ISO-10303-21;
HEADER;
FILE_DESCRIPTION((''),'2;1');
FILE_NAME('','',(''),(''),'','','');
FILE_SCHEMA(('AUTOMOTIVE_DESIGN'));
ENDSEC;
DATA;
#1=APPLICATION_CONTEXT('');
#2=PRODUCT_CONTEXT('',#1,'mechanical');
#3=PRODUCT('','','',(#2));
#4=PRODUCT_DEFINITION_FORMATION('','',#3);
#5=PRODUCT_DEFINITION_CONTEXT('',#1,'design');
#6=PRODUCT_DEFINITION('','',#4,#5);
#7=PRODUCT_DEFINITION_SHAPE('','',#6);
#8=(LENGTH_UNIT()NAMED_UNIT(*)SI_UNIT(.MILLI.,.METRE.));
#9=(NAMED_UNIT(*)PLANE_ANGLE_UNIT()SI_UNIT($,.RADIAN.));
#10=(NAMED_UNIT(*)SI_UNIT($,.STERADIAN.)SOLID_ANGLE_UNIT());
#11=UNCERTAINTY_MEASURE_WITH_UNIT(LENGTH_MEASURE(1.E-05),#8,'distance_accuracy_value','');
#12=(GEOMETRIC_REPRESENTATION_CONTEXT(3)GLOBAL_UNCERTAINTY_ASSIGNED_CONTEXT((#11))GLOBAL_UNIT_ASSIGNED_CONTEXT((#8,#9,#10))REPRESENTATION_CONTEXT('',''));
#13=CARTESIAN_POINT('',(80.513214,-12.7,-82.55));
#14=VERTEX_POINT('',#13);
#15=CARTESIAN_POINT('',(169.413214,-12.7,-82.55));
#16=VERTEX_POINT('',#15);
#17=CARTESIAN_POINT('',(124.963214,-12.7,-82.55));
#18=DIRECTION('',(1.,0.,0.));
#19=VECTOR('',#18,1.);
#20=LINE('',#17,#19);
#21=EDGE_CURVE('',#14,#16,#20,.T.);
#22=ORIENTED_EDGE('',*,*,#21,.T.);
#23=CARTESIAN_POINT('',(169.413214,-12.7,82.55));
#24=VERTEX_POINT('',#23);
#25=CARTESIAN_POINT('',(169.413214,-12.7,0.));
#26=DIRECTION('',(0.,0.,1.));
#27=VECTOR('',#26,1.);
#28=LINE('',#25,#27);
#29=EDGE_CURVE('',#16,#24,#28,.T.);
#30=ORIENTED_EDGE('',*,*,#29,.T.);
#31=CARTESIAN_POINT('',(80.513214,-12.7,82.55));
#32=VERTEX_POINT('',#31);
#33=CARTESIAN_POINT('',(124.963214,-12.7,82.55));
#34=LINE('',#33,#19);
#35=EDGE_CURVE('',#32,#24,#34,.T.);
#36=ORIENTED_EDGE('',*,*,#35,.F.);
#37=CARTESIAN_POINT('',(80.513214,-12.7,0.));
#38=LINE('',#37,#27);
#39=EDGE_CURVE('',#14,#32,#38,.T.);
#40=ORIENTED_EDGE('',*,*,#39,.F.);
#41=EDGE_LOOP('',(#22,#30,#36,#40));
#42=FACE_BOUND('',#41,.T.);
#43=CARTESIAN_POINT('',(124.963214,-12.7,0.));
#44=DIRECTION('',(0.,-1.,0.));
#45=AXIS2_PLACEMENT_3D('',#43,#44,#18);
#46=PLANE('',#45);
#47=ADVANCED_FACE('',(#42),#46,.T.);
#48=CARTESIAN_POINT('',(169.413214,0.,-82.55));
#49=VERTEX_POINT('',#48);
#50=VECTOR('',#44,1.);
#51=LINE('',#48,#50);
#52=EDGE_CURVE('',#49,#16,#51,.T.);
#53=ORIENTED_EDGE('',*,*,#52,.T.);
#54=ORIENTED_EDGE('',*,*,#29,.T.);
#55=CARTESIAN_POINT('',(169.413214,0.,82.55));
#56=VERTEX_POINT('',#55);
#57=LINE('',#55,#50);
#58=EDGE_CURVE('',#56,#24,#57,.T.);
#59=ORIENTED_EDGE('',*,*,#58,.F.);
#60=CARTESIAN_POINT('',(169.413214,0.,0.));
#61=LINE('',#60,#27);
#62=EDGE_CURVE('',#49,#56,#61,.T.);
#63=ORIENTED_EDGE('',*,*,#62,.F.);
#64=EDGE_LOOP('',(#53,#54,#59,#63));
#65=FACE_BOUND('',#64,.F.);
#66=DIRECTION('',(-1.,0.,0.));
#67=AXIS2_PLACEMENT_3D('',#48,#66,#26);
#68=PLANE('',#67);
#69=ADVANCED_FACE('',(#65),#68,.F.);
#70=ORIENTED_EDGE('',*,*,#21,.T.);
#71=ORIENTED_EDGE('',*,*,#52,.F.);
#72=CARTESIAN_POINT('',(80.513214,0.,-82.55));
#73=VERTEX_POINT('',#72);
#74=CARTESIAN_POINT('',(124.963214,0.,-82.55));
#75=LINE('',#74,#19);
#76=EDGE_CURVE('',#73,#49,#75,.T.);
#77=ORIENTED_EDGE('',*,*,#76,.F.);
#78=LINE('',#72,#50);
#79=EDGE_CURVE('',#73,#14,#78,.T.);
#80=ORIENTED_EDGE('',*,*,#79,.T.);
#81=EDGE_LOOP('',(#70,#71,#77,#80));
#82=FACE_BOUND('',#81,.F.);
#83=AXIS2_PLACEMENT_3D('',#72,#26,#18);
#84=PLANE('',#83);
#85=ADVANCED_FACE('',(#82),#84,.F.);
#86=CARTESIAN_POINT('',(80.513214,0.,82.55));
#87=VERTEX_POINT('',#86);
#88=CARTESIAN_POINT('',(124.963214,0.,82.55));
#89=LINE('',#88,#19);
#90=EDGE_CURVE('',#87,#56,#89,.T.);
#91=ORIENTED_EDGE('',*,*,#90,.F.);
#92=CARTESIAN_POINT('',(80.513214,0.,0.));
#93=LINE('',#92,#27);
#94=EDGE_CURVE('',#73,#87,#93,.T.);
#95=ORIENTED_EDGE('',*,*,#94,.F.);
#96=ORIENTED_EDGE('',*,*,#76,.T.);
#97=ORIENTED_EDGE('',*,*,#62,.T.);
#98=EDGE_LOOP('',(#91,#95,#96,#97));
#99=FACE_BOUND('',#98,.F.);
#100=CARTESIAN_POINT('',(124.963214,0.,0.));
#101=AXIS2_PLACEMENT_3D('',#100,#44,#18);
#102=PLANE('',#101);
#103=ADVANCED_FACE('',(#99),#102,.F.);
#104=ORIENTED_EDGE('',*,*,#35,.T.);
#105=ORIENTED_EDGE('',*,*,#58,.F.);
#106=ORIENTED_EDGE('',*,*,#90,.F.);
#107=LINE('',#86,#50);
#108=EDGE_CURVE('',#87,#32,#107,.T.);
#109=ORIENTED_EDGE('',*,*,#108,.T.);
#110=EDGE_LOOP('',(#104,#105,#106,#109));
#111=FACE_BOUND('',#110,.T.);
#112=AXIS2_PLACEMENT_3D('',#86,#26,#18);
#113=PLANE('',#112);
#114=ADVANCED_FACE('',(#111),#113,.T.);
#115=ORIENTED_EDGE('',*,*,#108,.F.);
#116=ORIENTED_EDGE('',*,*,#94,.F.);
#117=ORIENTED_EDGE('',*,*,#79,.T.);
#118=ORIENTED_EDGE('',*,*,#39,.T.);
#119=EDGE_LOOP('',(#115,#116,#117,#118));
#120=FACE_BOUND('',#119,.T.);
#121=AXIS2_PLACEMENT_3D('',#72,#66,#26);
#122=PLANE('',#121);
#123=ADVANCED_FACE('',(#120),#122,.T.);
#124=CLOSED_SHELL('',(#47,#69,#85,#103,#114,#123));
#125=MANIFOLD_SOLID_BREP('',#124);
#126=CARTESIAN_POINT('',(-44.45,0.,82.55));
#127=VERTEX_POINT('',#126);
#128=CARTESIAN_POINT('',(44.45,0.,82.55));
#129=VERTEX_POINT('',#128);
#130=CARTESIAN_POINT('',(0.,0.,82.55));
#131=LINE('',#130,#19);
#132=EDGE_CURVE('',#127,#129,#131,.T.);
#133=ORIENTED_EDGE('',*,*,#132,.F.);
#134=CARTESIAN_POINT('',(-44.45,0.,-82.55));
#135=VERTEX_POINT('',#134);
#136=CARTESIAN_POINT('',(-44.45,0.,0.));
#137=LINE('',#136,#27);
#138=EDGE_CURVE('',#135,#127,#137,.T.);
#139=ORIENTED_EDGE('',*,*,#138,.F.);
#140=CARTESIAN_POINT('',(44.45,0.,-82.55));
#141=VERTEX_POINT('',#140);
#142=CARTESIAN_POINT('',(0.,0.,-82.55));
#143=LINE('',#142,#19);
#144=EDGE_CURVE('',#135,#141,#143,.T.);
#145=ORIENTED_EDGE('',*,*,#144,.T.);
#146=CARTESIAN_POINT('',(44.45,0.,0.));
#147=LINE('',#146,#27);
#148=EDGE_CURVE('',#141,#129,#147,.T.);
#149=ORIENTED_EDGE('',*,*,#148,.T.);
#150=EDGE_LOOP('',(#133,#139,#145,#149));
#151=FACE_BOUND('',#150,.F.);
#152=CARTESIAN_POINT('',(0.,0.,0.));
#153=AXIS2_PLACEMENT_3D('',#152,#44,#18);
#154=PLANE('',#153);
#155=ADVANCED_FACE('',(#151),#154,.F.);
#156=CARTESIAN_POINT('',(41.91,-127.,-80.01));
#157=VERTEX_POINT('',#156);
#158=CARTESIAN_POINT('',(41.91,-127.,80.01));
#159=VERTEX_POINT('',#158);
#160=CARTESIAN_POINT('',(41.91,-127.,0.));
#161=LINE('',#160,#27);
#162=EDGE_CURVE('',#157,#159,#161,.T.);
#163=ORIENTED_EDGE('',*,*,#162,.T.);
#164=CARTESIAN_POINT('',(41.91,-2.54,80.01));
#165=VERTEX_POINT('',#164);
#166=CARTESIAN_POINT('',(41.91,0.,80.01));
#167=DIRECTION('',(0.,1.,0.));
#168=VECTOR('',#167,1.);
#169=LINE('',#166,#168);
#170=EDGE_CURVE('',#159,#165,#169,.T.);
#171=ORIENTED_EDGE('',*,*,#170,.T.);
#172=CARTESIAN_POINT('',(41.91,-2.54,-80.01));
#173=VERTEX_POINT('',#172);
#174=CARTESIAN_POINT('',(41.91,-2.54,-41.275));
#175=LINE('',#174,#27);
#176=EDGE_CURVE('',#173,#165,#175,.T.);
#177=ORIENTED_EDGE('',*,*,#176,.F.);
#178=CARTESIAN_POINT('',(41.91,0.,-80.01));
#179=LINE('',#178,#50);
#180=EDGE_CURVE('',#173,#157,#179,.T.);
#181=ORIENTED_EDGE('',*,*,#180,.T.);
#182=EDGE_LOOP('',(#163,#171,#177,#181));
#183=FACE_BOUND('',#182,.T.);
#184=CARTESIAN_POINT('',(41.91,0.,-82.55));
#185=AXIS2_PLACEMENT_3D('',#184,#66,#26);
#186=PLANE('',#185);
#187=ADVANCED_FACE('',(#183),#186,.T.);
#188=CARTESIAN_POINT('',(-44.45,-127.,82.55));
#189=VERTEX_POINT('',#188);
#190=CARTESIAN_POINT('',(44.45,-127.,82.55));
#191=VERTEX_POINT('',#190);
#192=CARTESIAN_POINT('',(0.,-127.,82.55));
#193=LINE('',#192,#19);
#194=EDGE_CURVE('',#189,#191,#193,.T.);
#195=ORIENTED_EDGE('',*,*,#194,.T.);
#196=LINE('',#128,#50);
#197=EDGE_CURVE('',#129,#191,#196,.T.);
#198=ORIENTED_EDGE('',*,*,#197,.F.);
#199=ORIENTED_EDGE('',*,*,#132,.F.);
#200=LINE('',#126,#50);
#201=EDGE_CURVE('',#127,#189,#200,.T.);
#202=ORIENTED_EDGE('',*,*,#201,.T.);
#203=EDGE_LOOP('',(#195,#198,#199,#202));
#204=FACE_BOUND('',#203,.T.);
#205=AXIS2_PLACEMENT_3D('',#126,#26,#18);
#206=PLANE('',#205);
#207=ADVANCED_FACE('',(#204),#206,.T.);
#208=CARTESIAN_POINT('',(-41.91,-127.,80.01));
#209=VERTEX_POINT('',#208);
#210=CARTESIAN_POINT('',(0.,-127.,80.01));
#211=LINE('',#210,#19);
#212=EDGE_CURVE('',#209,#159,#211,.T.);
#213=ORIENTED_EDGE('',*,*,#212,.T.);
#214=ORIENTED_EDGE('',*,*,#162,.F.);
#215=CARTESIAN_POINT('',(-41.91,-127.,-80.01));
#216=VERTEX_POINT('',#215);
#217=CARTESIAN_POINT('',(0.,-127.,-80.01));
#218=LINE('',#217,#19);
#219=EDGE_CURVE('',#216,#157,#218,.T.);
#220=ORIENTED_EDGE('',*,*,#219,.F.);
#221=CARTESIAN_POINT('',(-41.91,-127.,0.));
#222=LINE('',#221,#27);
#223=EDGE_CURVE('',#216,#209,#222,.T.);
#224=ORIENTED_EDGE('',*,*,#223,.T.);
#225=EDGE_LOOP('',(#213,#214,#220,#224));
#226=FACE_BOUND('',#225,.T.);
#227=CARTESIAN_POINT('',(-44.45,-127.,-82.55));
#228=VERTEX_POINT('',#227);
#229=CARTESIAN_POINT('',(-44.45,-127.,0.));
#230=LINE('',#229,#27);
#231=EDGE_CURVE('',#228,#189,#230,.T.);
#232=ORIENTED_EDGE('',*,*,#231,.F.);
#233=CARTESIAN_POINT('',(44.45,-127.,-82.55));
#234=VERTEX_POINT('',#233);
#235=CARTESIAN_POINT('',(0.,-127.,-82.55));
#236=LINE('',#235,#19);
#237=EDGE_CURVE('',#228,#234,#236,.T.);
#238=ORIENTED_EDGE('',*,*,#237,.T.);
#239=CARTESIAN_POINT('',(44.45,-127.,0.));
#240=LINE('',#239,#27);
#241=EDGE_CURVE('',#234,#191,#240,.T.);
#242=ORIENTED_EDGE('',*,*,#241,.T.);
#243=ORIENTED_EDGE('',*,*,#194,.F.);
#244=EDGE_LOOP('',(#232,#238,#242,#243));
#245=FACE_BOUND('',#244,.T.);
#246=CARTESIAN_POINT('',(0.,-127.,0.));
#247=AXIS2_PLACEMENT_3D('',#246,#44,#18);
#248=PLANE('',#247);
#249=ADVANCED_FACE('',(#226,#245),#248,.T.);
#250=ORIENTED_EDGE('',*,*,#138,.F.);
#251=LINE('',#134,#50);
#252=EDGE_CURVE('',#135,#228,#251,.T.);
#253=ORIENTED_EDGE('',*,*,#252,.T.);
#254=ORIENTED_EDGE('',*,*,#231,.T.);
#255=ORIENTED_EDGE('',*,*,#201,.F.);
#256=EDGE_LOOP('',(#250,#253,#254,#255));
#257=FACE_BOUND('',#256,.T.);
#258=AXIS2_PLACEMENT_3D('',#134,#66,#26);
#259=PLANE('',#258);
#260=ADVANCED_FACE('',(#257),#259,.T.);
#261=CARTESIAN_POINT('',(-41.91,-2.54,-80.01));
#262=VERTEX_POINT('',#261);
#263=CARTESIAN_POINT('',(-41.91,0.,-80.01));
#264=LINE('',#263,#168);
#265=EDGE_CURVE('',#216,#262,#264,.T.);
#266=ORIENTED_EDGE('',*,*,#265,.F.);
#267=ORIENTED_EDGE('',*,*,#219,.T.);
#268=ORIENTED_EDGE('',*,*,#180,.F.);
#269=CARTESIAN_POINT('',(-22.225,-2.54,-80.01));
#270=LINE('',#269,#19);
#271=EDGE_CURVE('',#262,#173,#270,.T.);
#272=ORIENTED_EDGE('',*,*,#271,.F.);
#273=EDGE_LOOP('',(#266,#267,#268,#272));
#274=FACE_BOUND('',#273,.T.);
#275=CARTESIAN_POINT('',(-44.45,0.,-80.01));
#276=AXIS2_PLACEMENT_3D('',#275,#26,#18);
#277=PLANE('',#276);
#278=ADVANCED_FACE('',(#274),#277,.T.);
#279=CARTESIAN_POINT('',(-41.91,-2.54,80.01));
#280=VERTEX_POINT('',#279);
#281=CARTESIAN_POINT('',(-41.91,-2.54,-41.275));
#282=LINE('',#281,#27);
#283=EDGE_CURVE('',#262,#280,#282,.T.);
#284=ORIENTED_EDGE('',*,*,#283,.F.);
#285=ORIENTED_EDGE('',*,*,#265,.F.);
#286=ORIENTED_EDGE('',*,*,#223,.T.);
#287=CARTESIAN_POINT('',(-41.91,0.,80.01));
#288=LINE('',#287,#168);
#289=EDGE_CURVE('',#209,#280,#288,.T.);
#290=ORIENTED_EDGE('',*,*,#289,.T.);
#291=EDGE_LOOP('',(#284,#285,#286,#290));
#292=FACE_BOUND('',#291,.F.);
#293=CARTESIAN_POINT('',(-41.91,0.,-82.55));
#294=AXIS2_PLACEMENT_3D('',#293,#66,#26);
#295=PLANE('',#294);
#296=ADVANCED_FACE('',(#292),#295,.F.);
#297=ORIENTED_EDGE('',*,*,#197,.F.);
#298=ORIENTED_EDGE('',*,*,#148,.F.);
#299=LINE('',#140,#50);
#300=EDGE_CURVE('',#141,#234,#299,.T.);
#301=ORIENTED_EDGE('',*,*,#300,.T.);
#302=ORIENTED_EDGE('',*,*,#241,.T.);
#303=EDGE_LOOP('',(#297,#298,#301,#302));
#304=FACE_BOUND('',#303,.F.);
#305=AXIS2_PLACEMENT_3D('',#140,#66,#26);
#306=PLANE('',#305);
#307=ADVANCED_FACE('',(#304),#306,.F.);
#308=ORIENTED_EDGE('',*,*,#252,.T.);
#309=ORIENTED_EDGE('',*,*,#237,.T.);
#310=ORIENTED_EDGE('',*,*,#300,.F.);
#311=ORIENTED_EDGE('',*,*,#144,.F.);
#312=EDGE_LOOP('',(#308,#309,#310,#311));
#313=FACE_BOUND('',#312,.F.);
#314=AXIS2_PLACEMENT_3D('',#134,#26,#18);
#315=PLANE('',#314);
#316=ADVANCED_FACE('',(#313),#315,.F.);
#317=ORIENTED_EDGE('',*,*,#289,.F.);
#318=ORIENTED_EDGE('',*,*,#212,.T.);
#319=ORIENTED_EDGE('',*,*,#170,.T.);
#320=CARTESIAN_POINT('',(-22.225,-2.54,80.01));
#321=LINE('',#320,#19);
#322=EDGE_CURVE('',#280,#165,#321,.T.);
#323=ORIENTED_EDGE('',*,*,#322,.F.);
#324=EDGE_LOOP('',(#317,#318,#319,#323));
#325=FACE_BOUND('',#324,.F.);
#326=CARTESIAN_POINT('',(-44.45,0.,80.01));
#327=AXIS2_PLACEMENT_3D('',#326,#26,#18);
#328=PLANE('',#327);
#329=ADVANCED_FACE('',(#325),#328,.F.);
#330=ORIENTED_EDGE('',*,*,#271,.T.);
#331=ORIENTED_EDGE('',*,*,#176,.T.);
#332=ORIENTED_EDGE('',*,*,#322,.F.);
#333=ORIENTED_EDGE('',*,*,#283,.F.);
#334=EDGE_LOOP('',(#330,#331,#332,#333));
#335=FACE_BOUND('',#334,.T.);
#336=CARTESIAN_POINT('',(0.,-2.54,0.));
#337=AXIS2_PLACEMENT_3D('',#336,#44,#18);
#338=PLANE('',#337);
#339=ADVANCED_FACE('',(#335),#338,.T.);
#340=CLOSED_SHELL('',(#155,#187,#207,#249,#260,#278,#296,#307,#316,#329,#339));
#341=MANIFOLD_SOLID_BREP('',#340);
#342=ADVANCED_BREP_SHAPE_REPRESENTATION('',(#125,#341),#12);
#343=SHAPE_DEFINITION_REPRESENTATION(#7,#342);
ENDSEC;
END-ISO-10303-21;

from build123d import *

# Parameters (mm, degrees)
F0_W     = 88.9
F0_H     = 165.1
F1_DEPTH = 127
F2_DEPTH = 12.7
F3_T     = -2.54


with BuildPart() as f1:
    # F0 (on Front) → F1 (new body)
    with BuildSketch(Plane.XZ):
        Rectangle(F0_W, F0_H)
    extrude(amount=F1_DEPTH)

    # F3
    f3_openings = [f1.faces().sort_by_distance(p)[0] for p in [
        (0, -127, 0),
    ]]
    offset(amount=F3_T, openings=f3_openings)


with BuildPart() as f2:
    # F0 (on Front) → F2 (new body)
    with BuildSketch(Plane.XZ):
        with Locations((124.963214, 0)):
            Rectangle(F0_W, F0_H)
    extrude(amount=F2_DEPTH)


solid = Compound([f1.part, f2.part])
